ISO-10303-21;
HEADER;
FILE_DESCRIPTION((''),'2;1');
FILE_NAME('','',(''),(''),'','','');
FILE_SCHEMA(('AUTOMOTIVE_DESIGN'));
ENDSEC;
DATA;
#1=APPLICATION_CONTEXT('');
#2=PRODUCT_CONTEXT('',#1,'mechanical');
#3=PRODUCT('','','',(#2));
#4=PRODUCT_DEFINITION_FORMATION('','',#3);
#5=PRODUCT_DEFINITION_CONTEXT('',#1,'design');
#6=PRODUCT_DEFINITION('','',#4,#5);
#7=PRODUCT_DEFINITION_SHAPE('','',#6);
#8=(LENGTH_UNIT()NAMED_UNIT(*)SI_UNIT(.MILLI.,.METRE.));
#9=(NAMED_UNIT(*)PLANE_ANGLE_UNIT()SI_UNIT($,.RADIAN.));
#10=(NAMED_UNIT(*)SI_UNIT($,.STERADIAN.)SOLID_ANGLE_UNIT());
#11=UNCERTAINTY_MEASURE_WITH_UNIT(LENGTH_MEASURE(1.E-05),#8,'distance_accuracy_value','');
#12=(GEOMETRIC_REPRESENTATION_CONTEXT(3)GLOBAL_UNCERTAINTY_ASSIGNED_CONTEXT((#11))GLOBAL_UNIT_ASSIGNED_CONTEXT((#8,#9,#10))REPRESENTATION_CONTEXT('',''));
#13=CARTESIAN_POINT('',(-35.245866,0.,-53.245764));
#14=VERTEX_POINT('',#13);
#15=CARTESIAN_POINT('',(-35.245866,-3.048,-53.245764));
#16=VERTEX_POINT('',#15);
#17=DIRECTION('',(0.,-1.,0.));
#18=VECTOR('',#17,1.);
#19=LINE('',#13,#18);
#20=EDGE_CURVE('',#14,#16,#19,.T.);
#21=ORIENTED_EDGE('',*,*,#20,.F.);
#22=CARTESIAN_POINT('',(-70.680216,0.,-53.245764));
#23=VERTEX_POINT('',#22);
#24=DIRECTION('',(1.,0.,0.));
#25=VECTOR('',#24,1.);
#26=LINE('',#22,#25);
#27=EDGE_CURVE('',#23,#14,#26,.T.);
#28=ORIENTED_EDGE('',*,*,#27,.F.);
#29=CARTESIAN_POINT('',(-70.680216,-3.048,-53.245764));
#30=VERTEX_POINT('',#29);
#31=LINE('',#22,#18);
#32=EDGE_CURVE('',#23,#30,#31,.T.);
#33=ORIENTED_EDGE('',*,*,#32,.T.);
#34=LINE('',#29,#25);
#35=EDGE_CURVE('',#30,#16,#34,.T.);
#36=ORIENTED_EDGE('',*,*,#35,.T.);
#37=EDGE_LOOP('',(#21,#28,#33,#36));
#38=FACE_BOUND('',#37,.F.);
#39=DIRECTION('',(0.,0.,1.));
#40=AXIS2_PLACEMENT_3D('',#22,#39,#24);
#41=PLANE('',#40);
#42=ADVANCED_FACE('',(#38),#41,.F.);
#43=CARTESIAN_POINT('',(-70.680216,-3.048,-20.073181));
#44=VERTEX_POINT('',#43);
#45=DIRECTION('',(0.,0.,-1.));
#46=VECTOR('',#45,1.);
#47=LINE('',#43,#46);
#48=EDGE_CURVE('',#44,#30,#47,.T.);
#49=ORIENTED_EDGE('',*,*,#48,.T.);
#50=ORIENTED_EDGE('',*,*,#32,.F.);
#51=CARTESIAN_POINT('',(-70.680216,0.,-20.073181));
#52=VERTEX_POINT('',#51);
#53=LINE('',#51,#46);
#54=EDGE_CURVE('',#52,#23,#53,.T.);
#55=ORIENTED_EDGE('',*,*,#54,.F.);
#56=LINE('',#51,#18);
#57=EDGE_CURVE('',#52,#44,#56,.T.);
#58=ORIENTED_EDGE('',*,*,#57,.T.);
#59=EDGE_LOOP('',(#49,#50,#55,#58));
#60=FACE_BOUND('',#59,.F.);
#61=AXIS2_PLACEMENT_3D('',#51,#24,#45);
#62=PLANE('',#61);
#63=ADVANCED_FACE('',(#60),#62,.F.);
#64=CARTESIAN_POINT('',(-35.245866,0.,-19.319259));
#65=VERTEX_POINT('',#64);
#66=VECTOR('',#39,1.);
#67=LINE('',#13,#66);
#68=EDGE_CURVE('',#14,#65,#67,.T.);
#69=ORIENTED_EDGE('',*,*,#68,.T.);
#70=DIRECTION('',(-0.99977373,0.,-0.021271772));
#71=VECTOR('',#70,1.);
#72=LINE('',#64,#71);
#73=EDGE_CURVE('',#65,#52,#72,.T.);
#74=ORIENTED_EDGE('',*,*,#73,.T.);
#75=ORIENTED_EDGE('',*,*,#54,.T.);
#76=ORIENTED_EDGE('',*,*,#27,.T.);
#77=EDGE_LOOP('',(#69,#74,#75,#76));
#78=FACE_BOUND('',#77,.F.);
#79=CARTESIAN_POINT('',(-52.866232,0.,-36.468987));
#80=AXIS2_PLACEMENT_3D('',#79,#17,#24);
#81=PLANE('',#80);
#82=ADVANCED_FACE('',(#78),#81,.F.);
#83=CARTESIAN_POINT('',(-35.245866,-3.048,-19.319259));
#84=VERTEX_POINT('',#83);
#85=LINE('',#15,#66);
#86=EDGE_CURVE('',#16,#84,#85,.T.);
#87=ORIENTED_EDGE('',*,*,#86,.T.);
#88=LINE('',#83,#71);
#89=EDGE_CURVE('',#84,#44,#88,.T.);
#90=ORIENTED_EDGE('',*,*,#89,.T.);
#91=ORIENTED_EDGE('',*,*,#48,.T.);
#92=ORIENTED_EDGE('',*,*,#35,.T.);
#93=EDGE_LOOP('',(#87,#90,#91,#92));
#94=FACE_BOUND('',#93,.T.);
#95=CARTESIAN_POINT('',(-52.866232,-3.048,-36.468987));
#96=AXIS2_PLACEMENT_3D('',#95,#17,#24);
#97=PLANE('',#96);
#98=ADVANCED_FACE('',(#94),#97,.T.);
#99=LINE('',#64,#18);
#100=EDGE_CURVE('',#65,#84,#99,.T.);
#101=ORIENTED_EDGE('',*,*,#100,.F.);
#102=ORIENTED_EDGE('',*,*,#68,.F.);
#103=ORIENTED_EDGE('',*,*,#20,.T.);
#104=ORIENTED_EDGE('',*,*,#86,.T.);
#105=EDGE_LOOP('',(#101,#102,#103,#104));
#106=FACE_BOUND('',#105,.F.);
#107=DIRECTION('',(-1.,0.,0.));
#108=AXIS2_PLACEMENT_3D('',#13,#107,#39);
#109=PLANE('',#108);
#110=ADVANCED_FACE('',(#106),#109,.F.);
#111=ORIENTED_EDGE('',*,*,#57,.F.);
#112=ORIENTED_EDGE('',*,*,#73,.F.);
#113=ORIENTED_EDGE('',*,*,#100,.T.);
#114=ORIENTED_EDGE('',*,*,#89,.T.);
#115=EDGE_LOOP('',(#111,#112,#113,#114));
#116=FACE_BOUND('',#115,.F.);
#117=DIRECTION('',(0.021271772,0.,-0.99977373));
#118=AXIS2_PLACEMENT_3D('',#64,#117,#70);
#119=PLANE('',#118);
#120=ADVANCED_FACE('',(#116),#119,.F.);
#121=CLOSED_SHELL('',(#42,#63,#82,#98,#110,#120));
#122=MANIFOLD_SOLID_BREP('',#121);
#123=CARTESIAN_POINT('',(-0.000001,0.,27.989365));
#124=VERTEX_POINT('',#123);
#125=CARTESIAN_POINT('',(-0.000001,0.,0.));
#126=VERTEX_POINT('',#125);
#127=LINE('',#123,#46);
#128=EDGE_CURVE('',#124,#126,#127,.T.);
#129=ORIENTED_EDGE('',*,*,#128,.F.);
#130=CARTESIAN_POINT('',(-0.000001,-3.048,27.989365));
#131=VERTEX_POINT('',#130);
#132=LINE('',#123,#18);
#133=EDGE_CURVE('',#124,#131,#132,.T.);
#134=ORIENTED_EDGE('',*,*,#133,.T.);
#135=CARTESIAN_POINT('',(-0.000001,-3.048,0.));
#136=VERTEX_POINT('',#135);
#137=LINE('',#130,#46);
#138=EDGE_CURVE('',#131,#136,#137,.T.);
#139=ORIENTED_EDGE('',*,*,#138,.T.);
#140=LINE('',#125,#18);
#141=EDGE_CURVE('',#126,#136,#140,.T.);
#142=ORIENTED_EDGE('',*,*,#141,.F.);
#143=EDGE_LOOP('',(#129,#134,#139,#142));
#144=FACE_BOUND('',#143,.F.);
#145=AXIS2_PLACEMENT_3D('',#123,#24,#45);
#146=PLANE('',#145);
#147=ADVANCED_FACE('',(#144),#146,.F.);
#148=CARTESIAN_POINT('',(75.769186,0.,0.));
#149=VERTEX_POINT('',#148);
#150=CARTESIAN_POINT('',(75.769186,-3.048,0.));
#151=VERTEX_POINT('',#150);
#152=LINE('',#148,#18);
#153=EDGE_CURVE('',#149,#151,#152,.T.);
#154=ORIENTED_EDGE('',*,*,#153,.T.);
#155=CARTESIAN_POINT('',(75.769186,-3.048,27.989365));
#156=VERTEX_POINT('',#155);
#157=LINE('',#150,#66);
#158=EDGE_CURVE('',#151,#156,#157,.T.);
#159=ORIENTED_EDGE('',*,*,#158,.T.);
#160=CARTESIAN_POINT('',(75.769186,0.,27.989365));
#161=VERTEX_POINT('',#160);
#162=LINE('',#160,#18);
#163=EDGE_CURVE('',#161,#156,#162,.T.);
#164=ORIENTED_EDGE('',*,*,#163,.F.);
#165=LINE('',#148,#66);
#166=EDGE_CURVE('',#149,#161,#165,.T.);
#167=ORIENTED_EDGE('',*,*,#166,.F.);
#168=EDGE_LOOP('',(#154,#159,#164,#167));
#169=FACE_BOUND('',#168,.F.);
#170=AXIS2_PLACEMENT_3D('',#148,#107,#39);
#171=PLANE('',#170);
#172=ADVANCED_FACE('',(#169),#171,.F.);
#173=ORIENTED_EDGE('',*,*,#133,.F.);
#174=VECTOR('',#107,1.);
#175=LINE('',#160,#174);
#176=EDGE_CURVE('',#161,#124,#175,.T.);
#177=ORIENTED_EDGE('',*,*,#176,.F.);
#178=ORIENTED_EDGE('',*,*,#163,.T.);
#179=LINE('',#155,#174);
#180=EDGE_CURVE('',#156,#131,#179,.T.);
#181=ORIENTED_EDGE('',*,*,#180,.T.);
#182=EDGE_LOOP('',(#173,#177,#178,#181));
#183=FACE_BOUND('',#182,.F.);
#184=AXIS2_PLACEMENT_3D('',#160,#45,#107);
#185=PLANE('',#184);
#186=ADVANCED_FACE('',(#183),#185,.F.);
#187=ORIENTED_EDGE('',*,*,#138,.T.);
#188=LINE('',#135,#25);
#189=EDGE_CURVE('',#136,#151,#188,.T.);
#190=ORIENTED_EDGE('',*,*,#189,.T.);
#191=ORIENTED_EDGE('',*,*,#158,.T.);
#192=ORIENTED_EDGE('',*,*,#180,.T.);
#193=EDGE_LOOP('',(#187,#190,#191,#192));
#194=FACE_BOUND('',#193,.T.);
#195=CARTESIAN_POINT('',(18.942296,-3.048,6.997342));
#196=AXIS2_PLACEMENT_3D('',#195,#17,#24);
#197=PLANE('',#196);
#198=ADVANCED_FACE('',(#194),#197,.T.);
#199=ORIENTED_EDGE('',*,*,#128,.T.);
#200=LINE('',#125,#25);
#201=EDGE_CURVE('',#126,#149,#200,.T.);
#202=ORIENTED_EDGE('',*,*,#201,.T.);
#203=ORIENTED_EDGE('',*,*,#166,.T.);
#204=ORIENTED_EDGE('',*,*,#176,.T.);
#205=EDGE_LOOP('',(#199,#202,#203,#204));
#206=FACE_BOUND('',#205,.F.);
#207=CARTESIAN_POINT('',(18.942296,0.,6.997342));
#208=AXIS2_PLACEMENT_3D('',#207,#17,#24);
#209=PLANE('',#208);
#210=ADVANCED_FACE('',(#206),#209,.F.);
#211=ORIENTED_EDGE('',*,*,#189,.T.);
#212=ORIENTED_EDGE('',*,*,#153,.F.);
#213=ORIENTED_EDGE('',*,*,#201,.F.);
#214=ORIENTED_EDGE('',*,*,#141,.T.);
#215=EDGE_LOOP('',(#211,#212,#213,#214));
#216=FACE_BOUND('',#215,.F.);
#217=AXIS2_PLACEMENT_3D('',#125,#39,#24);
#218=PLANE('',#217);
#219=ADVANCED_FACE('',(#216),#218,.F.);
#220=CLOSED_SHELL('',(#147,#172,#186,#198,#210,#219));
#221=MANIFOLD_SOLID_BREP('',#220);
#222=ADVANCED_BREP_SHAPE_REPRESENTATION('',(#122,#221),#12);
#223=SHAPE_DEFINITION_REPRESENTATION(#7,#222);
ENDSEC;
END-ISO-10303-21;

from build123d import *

# Parameters (mm, degrees)
F0_W     = 37.884593
F0_H     = 13.994683
F0_H_2   = 13.994682
F1_DEPTH = 3.048
F3_DEPTH = 3.048


with BuildPart() as f1:
    # F0 (on Front) → F1 (new body)
    with BuildSketch(Plane.XZ):
        with Locations((18.942296, 6.997342)):
            Rectangle(F0_W, F0_H)
        with Locations((18.942296, 20.992024)):
            Rectangle(F0_W, F0_H_2)
        with Locations((56.826889, 6.997342)):
            Rectangle(F0_W, F0_H)
        with Locations((56.826889, 20.992024)):
            Rectangle(F0_W, F0_H_2)
    extrude(amount=F1_DEPTH)


with BuildPart() as f3:
    # F2 (on Front) → F3 (new body)
    with BuildSketch(Plane.XZ):
        Polygon((-35.245866, -19.319259), (-70.680216, -20.073181), (-70.680216, -53.245764), (-35.245866, -53.245764), align=None)
    extrude(amount=F3_DEPTH)


solid = Compound([f1.part, f3.part])
